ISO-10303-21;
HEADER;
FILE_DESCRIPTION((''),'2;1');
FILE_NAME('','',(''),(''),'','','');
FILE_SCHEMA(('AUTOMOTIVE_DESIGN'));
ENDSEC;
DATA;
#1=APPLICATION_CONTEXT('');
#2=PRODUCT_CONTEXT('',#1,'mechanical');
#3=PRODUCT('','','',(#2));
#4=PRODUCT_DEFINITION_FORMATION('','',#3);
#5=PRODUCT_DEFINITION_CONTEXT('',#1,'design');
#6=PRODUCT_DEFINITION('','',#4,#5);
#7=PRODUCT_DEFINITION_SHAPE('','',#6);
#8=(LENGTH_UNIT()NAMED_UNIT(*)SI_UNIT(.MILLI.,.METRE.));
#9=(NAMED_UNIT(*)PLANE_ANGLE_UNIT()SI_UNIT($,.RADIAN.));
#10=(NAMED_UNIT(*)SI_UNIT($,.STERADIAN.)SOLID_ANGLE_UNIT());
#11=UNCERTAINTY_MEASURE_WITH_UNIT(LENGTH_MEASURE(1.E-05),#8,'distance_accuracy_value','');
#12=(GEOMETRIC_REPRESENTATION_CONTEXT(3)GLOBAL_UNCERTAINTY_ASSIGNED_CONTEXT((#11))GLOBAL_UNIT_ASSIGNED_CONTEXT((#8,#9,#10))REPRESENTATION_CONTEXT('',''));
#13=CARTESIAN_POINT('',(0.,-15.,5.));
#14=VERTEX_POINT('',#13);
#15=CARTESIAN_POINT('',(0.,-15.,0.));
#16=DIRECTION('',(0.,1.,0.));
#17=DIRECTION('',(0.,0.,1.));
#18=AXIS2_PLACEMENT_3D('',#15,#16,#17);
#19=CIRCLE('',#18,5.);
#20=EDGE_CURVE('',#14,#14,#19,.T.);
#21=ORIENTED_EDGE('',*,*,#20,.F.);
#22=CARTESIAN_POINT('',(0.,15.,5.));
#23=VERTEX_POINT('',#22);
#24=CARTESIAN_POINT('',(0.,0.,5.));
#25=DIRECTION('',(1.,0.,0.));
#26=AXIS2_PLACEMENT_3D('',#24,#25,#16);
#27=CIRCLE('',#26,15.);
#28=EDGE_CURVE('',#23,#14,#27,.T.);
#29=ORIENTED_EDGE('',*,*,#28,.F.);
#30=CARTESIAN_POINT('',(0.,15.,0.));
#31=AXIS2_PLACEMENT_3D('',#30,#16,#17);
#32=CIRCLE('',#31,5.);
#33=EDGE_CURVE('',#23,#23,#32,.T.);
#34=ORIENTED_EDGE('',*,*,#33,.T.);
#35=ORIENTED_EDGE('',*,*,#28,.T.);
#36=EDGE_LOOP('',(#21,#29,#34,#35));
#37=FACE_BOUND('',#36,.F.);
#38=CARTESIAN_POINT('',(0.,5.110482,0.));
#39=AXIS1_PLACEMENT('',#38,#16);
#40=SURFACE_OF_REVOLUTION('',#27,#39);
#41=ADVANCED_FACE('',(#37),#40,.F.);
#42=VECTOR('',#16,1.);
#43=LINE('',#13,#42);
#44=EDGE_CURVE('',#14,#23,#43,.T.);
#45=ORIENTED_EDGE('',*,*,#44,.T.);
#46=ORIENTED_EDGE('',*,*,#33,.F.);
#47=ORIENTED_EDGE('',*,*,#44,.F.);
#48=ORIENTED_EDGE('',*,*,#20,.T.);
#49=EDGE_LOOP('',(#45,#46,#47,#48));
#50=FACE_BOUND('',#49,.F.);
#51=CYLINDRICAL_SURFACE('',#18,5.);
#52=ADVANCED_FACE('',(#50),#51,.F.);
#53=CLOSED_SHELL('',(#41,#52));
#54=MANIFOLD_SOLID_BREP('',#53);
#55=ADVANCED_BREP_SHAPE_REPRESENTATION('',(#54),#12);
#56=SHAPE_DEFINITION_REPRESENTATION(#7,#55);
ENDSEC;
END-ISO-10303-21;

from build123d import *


with BuildPart() as f1:
    # F0 (on Right) → F1 (revolve)
    with BuildSketch(Plane.YZ):
        with BuildLine():
            ThreePointArc((15, 5), (0, 20), (-15, 5))
            Line((-15, 5), (15, 5))
        make_face()
    revolve(axis=Axis((0, 5.110482, 0), (0, 1, 0)))


solid = f1.part
